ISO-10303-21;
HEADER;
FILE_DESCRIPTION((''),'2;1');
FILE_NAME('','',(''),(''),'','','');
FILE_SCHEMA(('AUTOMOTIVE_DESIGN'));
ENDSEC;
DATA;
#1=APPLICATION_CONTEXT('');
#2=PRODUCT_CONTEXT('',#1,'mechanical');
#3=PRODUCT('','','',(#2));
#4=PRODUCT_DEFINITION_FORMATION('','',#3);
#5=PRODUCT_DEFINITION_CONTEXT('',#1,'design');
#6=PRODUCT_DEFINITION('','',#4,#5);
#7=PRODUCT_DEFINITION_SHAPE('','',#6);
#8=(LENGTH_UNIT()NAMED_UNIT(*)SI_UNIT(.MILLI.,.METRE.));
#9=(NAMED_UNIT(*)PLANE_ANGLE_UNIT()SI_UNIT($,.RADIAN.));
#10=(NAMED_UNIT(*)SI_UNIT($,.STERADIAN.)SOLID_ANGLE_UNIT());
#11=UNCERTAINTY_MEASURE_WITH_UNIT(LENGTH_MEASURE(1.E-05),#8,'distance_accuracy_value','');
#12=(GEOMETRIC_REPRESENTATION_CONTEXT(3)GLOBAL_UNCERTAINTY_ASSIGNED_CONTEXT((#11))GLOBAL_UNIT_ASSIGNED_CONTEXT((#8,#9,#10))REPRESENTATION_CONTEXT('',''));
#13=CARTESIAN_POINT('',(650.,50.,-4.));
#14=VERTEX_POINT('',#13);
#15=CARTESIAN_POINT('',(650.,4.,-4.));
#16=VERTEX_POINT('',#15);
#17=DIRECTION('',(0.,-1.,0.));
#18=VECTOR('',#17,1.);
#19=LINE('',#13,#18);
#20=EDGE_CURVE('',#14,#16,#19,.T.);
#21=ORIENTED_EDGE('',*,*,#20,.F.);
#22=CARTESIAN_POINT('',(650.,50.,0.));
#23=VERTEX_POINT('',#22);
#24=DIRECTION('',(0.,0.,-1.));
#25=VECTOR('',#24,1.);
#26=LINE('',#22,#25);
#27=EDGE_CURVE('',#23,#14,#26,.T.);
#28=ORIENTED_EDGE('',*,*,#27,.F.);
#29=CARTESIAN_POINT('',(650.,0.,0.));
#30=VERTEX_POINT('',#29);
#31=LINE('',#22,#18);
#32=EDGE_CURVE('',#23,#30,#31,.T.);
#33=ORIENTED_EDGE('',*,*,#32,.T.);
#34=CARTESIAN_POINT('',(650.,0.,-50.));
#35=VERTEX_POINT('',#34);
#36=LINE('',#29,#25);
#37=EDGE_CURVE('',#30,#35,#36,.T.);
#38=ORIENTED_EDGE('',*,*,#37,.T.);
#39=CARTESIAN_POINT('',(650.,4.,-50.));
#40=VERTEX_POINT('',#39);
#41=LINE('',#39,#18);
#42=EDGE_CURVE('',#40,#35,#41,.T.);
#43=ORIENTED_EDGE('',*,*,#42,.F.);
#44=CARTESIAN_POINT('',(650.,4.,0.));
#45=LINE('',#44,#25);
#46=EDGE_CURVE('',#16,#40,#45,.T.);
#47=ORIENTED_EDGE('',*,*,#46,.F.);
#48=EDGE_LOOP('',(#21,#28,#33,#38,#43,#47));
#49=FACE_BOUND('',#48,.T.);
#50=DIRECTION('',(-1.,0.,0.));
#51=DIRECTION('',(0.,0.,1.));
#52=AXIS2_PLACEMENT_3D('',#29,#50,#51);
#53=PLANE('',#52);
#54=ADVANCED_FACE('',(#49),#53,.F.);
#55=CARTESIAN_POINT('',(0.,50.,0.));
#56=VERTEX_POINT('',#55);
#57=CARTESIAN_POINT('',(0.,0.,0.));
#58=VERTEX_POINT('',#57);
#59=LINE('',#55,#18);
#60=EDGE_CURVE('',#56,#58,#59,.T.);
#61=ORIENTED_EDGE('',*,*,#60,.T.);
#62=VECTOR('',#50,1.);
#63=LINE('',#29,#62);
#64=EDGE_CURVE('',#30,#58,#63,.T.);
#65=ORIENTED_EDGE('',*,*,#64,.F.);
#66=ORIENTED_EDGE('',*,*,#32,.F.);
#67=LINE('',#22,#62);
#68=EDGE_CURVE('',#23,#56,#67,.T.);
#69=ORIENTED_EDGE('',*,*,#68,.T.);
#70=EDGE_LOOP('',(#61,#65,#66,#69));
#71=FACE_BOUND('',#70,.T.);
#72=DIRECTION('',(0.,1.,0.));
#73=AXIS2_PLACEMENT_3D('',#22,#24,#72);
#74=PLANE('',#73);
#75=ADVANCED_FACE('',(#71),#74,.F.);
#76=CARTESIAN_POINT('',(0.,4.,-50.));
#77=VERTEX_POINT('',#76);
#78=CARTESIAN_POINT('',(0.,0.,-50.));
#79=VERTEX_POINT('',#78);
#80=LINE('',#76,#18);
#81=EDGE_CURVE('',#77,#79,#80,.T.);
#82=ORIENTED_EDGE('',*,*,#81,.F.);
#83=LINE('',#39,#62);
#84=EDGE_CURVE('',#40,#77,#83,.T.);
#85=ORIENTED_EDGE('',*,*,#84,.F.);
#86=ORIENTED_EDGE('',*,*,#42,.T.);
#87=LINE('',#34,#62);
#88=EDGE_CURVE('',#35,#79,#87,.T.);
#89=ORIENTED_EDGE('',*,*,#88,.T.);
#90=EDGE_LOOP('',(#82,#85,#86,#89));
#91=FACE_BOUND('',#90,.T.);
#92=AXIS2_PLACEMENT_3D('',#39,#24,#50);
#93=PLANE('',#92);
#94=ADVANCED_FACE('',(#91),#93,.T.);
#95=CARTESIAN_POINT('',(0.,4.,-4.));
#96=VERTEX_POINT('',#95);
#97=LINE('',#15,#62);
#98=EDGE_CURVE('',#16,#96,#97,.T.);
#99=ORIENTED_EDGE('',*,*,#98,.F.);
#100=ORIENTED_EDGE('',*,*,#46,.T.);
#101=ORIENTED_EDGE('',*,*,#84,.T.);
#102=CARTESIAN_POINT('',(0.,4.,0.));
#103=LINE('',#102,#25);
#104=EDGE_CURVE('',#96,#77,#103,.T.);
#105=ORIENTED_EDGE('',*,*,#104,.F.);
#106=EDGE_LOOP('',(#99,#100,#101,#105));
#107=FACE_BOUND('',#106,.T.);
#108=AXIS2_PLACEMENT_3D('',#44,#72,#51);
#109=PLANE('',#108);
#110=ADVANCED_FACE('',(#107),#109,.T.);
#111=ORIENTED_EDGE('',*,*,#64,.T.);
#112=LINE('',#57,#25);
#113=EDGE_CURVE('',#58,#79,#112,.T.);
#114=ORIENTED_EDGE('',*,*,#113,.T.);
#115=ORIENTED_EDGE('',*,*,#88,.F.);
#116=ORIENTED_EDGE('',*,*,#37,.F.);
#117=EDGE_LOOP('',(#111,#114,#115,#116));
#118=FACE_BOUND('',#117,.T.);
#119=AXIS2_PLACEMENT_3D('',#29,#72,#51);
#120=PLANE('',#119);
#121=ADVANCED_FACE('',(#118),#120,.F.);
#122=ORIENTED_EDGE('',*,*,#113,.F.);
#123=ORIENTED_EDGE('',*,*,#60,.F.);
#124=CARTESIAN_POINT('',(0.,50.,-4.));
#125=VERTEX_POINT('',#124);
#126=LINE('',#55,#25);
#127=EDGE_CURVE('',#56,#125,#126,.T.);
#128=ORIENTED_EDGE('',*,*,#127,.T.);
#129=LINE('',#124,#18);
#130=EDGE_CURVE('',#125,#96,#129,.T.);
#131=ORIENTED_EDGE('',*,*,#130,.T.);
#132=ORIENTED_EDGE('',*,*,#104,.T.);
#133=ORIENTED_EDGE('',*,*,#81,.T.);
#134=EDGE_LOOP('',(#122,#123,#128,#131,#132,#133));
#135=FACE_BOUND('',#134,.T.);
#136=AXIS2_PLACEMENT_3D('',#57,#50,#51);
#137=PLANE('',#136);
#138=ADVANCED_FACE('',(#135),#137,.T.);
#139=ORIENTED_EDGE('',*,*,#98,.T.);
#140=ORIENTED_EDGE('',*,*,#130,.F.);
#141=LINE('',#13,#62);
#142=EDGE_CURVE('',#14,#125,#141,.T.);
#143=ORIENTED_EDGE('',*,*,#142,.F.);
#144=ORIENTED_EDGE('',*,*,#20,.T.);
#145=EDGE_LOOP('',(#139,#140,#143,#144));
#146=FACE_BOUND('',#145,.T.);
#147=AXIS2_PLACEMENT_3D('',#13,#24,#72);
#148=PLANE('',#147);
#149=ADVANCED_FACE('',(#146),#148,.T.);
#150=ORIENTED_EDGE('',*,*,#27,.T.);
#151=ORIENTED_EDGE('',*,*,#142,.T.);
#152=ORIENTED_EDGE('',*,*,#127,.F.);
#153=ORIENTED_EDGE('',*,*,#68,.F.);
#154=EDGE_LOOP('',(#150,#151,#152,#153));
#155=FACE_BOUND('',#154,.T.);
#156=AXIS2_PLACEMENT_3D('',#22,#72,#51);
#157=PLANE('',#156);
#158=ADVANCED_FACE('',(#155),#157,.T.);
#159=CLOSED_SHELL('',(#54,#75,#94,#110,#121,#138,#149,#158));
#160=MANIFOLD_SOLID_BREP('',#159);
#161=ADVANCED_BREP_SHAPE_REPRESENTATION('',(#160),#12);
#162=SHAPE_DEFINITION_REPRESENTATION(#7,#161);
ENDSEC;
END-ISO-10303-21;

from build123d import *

# Parameters (mm, degrees)
EXTRUDE_1_DEPTH = 650


with BuildPart() as part:
    # Эскиз1 → Вытянуть-Тонкостенный1 (new body)
    with BuildSketch(Plane(origin=(0, 0, 0), x_dir=(0, 0, -1), z_dir=(1, 0, 0))):
        Polygon((0, 50), (0, 0), (50, 0), (50, 4), (4, 4), (4, 50), align=None)
    extrude(amount=EXTRUDE_1_DEPTH)


solid = part.part
